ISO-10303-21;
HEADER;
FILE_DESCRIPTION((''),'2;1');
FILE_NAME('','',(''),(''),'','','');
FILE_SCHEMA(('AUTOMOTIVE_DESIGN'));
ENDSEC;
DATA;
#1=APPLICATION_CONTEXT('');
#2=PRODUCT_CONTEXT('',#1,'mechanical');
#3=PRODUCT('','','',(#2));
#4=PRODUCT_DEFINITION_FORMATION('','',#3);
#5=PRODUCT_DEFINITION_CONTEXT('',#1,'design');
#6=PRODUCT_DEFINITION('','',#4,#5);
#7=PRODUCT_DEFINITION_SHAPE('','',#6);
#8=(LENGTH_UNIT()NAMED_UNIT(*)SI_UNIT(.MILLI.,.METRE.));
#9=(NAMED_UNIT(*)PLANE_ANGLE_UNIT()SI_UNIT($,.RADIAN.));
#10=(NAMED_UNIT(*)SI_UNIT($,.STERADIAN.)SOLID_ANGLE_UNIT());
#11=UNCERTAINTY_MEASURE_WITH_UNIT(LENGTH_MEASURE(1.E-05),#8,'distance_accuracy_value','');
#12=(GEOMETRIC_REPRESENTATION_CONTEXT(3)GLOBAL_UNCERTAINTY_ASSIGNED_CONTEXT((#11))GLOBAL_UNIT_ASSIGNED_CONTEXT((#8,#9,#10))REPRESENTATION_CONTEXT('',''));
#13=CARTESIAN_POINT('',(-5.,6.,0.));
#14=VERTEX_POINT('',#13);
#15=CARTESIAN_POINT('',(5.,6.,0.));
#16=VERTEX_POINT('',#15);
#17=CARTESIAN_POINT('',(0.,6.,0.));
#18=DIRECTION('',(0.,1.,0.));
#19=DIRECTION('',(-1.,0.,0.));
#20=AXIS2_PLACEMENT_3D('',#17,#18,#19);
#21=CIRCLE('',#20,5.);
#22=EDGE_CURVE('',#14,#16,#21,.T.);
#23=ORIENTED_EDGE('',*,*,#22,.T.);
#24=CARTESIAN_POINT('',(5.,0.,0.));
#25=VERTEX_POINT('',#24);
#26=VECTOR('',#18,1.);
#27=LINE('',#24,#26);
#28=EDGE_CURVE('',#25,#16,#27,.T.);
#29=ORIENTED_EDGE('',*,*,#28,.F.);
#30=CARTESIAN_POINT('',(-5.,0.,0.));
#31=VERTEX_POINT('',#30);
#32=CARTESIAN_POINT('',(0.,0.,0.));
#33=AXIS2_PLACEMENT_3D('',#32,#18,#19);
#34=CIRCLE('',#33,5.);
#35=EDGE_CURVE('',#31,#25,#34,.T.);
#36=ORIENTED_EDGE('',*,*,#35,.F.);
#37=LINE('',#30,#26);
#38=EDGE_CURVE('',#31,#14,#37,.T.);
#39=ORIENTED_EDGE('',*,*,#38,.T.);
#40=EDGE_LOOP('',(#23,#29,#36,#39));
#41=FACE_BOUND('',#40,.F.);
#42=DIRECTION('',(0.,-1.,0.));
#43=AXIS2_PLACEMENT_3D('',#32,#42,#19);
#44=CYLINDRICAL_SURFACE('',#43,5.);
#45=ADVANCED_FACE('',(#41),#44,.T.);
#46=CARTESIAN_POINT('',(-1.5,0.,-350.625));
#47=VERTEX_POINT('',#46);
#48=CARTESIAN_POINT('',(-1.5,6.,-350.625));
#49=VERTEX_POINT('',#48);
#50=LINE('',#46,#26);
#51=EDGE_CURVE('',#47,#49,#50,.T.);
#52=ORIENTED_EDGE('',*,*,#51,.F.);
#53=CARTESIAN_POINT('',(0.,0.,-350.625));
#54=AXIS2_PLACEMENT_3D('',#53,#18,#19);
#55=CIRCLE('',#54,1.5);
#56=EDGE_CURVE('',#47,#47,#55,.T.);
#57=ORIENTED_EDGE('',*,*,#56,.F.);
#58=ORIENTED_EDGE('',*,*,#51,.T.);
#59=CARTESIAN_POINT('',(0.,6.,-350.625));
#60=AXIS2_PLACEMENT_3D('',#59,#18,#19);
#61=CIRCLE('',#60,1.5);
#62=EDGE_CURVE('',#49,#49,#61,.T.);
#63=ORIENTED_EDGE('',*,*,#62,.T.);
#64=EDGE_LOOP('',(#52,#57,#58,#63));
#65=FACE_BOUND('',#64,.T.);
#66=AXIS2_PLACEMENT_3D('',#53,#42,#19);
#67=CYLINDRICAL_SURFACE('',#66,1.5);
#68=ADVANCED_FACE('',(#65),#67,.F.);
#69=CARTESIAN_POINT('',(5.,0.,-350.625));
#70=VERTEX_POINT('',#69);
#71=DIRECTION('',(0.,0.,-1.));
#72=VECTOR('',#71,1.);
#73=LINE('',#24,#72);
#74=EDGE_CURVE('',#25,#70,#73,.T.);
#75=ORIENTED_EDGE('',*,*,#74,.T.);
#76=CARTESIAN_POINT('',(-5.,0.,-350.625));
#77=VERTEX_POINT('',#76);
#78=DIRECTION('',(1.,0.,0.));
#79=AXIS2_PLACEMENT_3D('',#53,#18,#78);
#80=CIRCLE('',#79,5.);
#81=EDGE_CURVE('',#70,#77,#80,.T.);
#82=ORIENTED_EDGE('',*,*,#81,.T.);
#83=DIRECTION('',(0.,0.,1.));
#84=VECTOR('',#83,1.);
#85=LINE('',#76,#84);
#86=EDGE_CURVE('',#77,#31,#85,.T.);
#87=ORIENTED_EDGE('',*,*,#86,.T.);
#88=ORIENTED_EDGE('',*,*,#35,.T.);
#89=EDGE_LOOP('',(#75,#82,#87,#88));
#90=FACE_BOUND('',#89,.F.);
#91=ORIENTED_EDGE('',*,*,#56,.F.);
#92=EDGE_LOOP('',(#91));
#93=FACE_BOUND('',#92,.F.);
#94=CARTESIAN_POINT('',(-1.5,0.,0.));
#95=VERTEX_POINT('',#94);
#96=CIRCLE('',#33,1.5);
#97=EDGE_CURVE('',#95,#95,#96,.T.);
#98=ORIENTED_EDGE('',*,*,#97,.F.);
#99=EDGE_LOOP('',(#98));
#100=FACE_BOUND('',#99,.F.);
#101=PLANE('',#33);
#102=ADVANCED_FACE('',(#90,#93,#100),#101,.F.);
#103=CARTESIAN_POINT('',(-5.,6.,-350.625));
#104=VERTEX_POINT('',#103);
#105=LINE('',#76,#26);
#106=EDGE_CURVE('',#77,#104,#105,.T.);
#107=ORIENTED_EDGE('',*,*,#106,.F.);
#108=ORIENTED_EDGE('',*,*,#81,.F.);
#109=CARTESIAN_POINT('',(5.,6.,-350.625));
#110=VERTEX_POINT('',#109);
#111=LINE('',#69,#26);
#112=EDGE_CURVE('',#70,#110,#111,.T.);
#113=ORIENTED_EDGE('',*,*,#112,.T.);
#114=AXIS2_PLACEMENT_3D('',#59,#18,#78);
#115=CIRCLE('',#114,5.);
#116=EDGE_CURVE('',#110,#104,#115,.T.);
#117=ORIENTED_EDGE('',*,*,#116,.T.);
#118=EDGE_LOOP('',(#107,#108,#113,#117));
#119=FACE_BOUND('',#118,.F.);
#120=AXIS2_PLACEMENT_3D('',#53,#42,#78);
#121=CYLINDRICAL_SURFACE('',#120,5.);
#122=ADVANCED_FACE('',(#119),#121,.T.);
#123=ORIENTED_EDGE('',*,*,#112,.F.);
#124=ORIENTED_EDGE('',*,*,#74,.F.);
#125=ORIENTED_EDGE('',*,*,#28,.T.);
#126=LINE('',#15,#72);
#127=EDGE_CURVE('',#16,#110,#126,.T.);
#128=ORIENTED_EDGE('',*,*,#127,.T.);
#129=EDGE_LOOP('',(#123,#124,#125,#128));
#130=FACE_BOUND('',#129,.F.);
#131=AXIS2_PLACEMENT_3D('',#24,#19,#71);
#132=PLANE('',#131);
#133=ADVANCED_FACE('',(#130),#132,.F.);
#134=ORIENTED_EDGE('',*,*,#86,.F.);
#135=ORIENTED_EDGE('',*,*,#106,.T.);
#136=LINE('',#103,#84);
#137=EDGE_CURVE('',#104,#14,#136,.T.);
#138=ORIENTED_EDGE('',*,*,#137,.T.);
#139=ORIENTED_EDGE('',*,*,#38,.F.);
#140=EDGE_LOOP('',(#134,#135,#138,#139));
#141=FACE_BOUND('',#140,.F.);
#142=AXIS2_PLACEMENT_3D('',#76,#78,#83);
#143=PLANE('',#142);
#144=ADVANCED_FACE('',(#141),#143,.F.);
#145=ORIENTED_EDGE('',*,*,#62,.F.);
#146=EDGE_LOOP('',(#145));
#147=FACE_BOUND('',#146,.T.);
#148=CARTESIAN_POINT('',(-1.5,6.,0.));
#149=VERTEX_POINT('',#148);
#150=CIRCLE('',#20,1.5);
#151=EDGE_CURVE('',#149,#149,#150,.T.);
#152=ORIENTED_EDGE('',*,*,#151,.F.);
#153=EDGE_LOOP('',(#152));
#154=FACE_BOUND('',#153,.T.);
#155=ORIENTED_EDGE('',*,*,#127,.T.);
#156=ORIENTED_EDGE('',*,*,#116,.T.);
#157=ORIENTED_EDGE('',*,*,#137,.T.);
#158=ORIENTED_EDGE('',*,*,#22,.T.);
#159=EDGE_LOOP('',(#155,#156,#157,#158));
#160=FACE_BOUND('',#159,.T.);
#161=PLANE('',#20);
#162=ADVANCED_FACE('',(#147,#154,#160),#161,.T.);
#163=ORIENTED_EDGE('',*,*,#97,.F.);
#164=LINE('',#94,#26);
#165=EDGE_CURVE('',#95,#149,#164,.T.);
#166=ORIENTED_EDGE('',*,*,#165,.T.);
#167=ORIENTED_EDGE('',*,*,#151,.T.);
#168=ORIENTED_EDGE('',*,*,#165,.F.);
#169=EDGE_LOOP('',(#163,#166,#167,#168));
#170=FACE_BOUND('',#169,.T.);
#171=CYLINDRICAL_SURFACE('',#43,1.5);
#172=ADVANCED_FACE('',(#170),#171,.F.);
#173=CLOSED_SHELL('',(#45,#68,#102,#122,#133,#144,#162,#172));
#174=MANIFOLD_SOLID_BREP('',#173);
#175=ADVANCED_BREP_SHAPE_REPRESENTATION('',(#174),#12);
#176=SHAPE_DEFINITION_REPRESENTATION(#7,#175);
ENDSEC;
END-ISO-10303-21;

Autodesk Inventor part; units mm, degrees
ref_plane "YZ Plane" through (0, 0, 0) normal (1, 0, 0) x (0, 1, 0)
ref_plane "XZ Plane" through (0, 0, 0) normal (0, 1, 0) x (-1, 0, 0)
ref_plane "XY Plane" through (0, 0, 0) normal (0, 0, 1) x (1, 0, 0)
sketch "Sketch1" plane through (0, 0, 0) normal (0, 1, 0) x (-1, 0, 0)
  line L0 (0, 0) -> (0, -350.625) construction
  line L1 (-5, 0) -> (-5, -350.625)
  line L2 (5, -350.625) -> (5, 0)
  arc A0 (5, 0) -> (-5, 0) centre (0, 0) ccw
  arc A1 (-5, -350.625) -> (5, -350.625) centre (0, -350.625) ccw
  circle A2 centre (0, 0) radius 1.5
  circle A3 centre (0, -350.625) radius 1.5
  point P0 (0, -175.3125)
  dimension "d1" = 350.625
  dimension "d2" = 10
  dimension "d3" = 3
  dimension "d4" = 3
extrude "Extrusion1" add sketch "Sketch1" along normal blind 6
